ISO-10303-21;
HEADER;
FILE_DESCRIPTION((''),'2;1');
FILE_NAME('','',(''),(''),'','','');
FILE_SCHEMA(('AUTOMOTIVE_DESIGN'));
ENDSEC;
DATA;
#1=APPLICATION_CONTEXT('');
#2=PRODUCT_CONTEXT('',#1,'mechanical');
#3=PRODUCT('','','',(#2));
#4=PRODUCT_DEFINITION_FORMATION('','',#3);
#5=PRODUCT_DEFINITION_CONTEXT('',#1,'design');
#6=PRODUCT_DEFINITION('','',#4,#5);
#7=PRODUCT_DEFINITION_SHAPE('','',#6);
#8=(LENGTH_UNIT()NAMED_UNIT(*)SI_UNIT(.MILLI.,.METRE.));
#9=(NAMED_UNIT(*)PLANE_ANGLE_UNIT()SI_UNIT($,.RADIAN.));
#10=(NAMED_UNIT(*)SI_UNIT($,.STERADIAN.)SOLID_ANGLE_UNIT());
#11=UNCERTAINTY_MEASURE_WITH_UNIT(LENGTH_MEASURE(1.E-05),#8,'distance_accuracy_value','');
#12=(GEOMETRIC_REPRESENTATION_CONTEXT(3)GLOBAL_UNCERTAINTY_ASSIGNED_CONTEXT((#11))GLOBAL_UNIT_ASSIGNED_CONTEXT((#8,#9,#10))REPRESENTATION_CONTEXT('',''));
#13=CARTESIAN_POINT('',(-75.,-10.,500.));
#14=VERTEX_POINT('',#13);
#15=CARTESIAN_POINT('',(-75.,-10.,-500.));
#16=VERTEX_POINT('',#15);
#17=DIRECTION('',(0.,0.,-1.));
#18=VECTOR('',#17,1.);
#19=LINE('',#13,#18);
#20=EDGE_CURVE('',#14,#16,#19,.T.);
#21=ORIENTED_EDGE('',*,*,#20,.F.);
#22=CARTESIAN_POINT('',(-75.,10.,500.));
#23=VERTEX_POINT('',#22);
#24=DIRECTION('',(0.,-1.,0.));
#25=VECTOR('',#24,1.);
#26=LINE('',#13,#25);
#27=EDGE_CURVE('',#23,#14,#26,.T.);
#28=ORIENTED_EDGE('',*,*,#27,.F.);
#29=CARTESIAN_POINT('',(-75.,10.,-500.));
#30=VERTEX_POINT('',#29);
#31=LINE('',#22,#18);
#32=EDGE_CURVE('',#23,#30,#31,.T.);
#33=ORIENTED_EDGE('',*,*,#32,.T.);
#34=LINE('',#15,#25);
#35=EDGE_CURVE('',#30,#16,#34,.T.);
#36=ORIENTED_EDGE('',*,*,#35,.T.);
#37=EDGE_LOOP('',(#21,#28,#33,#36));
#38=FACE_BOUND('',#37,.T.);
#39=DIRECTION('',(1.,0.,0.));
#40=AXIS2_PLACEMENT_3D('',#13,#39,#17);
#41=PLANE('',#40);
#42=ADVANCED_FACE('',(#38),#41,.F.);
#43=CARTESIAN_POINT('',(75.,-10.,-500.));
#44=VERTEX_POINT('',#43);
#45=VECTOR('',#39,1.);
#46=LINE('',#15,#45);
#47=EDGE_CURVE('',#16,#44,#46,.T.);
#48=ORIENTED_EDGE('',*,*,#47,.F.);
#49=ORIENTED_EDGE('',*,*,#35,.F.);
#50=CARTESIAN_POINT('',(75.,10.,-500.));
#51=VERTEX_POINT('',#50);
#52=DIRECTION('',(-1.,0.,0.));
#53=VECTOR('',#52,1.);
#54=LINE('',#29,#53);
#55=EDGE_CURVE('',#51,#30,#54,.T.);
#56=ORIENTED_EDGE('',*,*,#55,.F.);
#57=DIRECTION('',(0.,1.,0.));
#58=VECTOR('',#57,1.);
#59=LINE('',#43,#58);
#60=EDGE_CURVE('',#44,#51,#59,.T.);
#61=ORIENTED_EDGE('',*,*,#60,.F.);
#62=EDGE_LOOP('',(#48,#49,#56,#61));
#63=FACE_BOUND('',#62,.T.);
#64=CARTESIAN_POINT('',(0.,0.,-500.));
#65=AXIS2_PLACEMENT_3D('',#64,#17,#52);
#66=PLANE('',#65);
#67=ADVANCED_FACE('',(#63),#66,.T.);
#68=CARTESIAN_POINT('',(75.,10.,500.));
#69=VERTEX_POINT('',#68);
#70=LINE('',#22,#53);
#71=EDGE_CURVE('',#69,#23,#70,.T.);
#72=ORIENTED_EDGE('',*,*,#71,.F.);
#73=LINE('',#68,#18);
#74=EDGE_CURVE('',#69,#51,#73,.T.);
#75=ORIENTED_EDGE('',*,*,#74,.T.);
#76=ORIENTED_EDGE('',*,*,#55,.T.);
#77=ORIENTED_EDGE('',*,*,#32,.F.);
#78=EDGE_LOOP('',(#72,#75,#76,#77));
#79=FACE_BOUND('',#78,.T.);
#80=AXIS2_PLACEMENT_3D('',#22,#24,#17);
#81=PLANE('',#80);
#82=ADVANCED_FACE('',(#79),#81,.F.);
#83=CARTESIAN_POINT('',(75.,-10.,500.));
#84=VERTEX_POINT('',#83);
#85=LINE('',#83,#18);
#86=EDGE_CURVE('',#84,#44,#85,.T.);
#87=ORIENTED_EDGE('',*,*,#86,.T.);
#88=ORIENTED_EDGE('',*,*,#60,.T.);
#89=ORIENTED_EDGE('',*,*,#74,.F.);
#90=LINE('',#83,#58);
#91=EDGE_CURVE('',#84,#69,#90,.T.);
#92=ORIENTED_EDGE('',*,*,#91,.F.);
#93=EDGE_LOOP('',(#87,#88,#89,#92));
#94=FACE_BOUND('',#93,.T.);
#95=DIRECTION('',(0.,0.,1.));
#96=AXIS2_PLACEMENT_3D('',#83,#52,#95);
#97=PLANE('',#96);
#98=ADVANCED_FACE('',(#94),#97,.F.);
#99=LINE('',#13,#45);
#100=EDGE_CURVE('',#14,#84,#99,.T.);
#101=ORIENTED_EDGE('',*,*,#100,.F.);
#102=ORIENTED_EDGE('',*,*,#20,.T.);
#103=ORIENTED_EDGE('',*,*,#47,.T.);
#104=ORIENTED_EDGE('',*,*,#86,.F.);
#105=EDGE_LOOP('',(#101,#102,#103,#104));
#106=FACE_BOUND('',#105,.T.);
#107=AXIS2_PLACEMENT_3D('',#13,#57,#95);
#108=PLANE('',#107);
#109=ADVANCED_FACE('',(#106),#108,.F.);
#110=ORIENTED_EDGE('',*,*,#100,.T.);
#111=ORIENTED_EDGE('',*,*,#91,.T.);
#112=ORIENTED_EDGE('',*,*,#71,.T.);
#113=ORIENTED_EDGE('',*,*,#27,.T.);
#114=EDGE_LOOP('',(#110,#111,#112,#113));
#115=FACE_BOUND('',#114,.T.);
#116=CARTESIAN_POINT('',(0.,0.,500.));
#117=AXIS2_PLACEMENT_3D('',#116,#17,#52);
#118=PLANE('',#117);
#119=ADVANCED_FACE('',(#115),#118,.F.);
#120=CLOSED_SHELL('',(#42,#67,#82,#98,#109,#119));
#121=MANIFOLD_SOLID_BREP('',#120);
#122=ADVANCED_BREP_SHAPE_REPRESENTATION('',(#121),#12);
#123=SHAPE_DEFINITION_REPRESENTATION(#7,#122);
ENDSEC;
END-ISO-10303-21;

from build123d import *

# Parameters (mm, degrees)
SKETCH1_W           = 150
SKETCH1_H           = 20
BOSS_EXTRUDE1_DEPTH = 500


with BuildPart() as part:
    # Sketch1 → Boss-Extrude1 (new, symmetric)
    with BuildSketch(Plane.XY):
        Rectangle(SKETCH1_W, SKETCH1_H)
    extrude(amount=BOSS_EXTRUDE1_DEPTH, both=True)


solid = part.part
